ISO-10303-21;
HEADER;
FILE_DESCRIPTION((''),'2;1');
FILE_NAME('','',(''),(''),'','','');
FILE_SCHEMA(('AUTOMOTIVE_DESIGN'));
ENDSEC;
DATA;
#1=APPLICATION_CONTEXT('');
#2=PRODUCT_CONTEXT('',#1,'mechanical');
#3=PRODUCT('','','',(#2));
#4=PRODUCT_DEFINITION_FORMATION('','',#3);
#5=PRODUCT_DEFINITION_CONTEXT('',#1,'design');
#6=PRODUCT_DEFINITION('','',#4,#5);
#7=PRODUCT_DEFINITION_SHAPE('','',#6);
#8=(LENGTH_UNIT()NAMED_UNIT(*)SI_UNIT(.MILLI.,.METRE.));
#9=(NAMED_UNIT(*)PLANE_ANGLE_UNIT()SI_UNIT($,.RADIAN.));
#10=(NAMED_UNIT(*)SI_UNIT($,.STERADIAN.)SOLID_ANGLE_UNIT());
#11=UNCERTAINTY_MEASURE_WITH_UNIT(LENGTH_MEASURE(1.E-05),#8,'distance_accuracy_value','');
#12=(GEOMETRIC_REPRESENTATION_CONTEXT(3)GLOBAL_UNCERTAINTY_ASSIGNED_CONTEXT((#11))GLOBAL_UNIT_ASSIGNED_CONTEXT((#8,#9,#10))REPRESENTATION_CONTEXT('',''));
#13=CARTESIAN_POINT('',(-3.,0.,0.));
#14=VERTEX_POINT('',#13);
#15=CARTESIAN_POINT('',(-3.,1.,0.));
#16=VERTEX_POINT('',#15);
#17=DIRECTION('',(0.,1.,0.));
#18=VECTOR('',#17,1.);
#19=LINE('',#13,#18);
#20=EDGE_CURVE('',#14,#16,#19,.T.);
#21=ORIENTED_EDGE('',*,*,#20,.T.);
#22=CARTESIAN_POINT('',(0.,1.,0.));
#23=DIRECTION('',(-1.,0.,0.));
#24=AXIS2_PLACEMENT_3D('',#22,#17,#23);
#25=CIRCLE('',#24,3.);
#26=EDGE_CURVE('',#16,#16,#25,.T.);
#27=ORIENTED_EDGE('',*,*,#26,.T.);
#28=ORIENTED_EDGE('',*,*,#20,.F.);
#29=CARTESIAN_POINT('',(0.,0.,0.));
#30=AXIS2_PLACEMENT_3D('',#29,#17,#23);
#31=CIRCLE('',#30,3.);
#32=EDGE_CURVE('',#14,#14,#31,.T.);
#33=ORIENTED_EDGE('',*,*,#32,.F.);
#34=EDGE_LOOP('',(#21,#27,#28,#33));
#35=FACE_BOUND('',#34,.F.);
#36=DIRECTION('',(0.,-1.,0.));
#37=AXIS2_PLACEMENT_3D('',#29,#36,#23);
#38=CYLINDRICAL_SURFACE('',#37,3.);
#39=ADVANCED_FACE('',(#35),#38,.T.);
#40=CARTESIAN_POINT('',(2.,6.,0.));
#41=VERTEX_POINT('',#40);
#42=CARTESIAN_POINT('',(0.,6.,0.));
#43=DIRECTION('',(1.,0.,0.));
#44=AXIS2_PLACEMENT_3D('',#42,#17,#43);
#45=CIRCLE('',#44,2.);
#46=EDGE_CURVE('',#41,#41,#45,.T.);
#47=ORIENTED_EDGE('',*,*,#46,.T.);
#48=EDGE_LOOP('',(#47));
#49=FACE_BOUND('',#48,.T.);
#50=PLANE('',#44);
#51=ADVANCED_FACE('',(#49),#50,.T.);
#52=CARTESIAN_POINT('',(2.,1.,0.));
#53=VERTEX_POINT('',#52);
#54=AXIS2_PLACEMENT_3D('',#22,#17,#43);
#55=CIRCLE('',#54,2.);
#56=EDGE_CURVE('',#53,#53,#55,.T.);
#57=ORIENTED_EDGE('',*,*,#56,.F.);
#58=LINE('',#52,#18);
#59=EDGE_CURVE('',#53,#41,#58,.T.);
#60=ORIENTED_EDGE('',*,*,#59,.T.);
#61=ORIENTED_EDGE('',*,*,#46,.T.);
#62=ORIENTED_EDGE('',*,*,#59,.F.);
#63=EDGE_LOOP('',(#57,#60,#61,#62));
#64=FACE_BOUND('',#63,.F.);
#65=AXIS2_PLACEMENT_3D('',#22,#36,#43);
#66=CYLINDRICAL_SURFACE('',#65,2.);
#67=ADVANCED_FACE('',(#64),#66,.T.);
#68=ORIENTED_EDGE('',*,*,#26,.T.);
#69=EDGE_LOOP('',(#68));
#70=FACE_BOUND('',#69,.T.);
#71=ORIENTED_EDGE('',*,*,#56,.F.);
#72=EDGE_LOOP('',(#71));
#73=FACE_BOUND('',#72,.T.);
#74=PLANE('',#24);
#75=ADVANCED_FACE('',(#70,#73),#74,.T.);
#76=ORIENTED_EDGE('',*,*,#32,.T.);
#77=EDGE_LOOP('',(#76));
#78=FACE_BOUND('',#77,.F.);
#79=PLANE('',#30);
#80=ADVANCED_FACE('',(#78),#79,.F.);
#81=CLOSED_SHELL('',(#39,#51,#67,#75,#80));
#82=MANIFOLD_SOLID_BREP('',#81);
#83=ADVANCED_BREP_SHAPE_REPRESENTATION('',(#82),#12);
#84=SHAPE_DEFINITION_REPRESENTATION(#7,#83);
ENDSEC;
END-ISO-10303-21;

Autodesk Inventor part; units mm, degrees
ref_plane "YZ Plane" through (0, 0, 0) normal (1, 0, 0) x (0, 1, 0)
ref_plane "XZ Plane" through (0, 0, 0) normal (0, 1, 0) x (-1, 0, 0)
ref_plane "XY Plane" through (0, 0, 0) normal (0, 0, 1) x (1, 0, 0)
sketch "Sketch1" plane through (0, 0, 0) normal (0, 1, 0) x (-1, 0, 0)
  circle A0 centre (0, 0) radius 3
  dimension "d0" = 6
extrude "Extrusion1" add sketch "Sketch1" along normal blind 1
sketch "Sketch2" plane through (0, 1, 0) normal (0, 1, 0) x (1, 0, 0)
  circle A0 centre (0, 0) radius 2
  dimension "d3" = 4
extrude "Extrusion2" add sketch "Sketch2" along normal blind 5
properties part number "Knapp"
